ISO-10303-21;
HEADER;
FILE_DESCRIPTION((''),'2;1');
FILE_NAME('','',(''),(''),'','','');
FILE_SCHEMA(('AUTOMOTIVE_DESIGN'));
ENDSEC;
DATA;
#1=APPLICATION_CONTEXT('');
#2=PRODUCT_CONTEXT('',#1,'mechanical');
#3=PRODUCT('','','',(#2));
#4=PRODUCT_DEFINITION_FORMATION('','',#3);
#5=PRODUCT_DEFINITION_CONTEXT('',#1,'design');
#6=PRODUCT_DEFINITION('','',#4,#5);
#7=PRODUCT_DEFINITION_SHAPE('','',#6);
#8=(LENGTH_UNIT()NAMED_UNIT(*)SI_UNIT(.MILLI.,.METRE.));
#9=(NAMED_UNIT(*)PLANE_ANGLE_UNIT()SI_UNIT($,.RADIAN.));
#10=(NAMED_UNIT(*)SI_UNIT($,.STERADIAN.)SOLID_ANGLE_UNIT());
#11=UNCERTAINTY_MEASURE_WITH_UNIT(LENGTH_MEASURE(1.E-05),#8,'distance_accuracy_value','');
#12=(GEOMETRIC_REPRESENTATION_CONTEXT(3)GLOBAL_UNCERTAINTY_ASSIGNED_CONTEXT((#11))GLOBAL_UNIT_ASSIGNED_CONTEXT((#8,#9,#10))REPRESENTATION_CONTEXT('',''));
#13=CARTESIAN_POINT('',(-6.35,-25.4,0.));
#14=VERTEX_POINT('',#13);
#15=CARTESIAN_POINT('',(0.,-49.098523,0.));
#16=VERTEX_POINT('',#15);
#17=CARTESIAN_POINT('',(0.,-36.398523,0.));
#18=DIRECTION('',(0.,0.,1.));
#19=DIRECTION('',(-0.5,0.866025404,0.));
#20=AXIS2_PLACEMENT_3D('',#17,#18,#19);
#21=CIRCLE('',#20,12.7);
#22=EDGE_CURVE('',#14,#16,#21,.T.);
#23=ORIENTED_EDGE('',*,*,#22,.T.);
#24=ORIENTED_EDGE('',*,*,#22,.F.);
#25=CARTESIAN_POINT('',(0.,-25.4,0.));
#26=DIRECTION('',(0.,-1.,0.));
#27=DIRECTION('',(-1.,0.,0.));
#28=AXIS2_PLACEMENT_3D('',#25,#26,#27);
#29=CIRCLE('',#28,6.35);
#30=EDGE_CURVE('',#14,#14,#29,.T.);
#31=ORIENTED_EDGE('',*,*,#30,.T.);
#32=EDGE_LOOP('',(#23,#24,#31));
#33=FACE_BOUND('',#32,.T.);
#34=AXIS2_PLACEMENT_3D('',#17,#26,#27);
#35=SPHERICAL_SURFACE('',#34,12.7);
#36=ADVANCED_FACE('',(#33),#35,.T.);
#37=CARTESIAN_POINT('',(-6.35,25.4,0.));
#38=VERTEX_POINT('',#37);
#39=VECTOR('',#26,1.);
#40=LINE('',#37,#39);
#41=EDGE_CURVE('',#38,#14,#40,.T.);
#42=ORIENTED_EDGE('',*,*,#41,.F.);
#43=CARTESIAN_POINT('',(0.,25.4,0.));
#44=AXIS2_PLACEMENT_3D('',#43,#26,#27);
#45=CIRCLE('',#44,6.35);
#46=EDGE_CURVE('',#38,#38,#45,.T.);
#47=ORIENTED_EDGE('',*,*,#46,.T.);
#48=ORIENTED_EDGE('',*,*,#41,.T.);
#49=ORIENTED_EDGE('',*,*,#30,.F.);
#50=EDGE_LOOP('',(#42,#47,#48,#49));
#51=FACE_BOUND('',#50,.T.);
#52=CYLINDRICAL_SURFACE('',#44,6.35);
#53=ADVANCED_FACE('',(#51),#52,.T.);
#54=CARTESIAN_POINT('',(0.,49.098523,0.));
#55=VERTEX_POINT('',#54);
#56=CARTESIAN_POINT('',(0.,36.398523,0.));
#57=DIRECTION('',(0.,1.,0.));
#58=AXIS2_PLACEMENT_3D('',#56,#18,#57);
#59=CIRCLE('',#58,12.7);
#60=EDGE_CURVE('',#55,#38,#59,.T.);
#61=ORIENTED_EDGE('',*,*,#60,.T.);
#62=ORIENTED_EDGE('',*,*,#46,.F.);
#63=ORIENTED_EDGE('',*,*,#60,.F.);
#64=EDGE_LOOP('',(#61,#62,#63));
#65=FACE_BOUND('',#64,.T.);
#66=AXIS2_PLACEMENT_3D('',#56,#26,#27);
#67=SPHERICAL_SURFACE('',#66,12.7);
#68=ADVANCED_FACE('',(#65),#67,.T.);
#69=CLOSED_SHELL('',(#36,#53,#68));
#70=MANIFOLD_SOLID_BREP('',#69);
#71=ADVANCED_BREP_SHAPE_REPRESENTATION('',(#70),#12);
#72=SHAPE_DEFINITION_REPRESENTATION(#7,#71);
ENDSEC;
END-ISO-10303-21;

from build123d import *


with BuildPart() as f1:
    # F0 (on Top) → F1 (revolve)
    with BuildSketch(Plane.XY):
        with BuildLine():
            ThreePointArc((0, 49.0985226281), (-12.2672579939, 39.6855245009), (-6.35, 25.4))
            Line((-6.35, 25.4), (0, 25.4))
            Line((0, 25.4), (0, 49.0985226281))
        make_face()
        with BuildLine():
            Line((0, 25.4), (-6.35, 25.4))
            ThreePointArc((-6.35, 25.4), (-3.2870018728, 24.1312646342), (0, 23.6985226281))
            Line((0, 23.6985226281), (0, 25.4))
        make_face()
        with BuildLine():
            ThreePointArc((0, 23.6985226281), (-3.2870018728, 24.1312646342), (-6.35, 25.4))
            Line((-6.35, 25.4), (-6.35, -25.4))
            ThreePointArc((-6.35, -25.4), (-3.2870018728, -24.1312646342), (0, -23.6985226281))
            Line((0, -23.6985226281), (0, 23.6985226281))
        make_face()
        with BuildLine():
            ThreePointArc((0, -23.6985226281), (-3.2870018728, -24.1312646342), (-6.35, -25.4))
            Line((-6.35, -25.4), (0, -25.4))
            Line((0, -25.4), (0, -23.6985226281))
        make_face()
        with BuildLine():
            Line((0, -25.4), (-6.35, -25.4))
            ThreePointArc((-6.35, -25.4), (-12.2672579939, -39.6855245009), (0, -49.0985226281))
            Line((0, -49.0985226281), (0, -25.4))
        make_face()
    revolve(axis=Axis((0, 0, 0), (0, -1, 0)))


solid = f1.part
